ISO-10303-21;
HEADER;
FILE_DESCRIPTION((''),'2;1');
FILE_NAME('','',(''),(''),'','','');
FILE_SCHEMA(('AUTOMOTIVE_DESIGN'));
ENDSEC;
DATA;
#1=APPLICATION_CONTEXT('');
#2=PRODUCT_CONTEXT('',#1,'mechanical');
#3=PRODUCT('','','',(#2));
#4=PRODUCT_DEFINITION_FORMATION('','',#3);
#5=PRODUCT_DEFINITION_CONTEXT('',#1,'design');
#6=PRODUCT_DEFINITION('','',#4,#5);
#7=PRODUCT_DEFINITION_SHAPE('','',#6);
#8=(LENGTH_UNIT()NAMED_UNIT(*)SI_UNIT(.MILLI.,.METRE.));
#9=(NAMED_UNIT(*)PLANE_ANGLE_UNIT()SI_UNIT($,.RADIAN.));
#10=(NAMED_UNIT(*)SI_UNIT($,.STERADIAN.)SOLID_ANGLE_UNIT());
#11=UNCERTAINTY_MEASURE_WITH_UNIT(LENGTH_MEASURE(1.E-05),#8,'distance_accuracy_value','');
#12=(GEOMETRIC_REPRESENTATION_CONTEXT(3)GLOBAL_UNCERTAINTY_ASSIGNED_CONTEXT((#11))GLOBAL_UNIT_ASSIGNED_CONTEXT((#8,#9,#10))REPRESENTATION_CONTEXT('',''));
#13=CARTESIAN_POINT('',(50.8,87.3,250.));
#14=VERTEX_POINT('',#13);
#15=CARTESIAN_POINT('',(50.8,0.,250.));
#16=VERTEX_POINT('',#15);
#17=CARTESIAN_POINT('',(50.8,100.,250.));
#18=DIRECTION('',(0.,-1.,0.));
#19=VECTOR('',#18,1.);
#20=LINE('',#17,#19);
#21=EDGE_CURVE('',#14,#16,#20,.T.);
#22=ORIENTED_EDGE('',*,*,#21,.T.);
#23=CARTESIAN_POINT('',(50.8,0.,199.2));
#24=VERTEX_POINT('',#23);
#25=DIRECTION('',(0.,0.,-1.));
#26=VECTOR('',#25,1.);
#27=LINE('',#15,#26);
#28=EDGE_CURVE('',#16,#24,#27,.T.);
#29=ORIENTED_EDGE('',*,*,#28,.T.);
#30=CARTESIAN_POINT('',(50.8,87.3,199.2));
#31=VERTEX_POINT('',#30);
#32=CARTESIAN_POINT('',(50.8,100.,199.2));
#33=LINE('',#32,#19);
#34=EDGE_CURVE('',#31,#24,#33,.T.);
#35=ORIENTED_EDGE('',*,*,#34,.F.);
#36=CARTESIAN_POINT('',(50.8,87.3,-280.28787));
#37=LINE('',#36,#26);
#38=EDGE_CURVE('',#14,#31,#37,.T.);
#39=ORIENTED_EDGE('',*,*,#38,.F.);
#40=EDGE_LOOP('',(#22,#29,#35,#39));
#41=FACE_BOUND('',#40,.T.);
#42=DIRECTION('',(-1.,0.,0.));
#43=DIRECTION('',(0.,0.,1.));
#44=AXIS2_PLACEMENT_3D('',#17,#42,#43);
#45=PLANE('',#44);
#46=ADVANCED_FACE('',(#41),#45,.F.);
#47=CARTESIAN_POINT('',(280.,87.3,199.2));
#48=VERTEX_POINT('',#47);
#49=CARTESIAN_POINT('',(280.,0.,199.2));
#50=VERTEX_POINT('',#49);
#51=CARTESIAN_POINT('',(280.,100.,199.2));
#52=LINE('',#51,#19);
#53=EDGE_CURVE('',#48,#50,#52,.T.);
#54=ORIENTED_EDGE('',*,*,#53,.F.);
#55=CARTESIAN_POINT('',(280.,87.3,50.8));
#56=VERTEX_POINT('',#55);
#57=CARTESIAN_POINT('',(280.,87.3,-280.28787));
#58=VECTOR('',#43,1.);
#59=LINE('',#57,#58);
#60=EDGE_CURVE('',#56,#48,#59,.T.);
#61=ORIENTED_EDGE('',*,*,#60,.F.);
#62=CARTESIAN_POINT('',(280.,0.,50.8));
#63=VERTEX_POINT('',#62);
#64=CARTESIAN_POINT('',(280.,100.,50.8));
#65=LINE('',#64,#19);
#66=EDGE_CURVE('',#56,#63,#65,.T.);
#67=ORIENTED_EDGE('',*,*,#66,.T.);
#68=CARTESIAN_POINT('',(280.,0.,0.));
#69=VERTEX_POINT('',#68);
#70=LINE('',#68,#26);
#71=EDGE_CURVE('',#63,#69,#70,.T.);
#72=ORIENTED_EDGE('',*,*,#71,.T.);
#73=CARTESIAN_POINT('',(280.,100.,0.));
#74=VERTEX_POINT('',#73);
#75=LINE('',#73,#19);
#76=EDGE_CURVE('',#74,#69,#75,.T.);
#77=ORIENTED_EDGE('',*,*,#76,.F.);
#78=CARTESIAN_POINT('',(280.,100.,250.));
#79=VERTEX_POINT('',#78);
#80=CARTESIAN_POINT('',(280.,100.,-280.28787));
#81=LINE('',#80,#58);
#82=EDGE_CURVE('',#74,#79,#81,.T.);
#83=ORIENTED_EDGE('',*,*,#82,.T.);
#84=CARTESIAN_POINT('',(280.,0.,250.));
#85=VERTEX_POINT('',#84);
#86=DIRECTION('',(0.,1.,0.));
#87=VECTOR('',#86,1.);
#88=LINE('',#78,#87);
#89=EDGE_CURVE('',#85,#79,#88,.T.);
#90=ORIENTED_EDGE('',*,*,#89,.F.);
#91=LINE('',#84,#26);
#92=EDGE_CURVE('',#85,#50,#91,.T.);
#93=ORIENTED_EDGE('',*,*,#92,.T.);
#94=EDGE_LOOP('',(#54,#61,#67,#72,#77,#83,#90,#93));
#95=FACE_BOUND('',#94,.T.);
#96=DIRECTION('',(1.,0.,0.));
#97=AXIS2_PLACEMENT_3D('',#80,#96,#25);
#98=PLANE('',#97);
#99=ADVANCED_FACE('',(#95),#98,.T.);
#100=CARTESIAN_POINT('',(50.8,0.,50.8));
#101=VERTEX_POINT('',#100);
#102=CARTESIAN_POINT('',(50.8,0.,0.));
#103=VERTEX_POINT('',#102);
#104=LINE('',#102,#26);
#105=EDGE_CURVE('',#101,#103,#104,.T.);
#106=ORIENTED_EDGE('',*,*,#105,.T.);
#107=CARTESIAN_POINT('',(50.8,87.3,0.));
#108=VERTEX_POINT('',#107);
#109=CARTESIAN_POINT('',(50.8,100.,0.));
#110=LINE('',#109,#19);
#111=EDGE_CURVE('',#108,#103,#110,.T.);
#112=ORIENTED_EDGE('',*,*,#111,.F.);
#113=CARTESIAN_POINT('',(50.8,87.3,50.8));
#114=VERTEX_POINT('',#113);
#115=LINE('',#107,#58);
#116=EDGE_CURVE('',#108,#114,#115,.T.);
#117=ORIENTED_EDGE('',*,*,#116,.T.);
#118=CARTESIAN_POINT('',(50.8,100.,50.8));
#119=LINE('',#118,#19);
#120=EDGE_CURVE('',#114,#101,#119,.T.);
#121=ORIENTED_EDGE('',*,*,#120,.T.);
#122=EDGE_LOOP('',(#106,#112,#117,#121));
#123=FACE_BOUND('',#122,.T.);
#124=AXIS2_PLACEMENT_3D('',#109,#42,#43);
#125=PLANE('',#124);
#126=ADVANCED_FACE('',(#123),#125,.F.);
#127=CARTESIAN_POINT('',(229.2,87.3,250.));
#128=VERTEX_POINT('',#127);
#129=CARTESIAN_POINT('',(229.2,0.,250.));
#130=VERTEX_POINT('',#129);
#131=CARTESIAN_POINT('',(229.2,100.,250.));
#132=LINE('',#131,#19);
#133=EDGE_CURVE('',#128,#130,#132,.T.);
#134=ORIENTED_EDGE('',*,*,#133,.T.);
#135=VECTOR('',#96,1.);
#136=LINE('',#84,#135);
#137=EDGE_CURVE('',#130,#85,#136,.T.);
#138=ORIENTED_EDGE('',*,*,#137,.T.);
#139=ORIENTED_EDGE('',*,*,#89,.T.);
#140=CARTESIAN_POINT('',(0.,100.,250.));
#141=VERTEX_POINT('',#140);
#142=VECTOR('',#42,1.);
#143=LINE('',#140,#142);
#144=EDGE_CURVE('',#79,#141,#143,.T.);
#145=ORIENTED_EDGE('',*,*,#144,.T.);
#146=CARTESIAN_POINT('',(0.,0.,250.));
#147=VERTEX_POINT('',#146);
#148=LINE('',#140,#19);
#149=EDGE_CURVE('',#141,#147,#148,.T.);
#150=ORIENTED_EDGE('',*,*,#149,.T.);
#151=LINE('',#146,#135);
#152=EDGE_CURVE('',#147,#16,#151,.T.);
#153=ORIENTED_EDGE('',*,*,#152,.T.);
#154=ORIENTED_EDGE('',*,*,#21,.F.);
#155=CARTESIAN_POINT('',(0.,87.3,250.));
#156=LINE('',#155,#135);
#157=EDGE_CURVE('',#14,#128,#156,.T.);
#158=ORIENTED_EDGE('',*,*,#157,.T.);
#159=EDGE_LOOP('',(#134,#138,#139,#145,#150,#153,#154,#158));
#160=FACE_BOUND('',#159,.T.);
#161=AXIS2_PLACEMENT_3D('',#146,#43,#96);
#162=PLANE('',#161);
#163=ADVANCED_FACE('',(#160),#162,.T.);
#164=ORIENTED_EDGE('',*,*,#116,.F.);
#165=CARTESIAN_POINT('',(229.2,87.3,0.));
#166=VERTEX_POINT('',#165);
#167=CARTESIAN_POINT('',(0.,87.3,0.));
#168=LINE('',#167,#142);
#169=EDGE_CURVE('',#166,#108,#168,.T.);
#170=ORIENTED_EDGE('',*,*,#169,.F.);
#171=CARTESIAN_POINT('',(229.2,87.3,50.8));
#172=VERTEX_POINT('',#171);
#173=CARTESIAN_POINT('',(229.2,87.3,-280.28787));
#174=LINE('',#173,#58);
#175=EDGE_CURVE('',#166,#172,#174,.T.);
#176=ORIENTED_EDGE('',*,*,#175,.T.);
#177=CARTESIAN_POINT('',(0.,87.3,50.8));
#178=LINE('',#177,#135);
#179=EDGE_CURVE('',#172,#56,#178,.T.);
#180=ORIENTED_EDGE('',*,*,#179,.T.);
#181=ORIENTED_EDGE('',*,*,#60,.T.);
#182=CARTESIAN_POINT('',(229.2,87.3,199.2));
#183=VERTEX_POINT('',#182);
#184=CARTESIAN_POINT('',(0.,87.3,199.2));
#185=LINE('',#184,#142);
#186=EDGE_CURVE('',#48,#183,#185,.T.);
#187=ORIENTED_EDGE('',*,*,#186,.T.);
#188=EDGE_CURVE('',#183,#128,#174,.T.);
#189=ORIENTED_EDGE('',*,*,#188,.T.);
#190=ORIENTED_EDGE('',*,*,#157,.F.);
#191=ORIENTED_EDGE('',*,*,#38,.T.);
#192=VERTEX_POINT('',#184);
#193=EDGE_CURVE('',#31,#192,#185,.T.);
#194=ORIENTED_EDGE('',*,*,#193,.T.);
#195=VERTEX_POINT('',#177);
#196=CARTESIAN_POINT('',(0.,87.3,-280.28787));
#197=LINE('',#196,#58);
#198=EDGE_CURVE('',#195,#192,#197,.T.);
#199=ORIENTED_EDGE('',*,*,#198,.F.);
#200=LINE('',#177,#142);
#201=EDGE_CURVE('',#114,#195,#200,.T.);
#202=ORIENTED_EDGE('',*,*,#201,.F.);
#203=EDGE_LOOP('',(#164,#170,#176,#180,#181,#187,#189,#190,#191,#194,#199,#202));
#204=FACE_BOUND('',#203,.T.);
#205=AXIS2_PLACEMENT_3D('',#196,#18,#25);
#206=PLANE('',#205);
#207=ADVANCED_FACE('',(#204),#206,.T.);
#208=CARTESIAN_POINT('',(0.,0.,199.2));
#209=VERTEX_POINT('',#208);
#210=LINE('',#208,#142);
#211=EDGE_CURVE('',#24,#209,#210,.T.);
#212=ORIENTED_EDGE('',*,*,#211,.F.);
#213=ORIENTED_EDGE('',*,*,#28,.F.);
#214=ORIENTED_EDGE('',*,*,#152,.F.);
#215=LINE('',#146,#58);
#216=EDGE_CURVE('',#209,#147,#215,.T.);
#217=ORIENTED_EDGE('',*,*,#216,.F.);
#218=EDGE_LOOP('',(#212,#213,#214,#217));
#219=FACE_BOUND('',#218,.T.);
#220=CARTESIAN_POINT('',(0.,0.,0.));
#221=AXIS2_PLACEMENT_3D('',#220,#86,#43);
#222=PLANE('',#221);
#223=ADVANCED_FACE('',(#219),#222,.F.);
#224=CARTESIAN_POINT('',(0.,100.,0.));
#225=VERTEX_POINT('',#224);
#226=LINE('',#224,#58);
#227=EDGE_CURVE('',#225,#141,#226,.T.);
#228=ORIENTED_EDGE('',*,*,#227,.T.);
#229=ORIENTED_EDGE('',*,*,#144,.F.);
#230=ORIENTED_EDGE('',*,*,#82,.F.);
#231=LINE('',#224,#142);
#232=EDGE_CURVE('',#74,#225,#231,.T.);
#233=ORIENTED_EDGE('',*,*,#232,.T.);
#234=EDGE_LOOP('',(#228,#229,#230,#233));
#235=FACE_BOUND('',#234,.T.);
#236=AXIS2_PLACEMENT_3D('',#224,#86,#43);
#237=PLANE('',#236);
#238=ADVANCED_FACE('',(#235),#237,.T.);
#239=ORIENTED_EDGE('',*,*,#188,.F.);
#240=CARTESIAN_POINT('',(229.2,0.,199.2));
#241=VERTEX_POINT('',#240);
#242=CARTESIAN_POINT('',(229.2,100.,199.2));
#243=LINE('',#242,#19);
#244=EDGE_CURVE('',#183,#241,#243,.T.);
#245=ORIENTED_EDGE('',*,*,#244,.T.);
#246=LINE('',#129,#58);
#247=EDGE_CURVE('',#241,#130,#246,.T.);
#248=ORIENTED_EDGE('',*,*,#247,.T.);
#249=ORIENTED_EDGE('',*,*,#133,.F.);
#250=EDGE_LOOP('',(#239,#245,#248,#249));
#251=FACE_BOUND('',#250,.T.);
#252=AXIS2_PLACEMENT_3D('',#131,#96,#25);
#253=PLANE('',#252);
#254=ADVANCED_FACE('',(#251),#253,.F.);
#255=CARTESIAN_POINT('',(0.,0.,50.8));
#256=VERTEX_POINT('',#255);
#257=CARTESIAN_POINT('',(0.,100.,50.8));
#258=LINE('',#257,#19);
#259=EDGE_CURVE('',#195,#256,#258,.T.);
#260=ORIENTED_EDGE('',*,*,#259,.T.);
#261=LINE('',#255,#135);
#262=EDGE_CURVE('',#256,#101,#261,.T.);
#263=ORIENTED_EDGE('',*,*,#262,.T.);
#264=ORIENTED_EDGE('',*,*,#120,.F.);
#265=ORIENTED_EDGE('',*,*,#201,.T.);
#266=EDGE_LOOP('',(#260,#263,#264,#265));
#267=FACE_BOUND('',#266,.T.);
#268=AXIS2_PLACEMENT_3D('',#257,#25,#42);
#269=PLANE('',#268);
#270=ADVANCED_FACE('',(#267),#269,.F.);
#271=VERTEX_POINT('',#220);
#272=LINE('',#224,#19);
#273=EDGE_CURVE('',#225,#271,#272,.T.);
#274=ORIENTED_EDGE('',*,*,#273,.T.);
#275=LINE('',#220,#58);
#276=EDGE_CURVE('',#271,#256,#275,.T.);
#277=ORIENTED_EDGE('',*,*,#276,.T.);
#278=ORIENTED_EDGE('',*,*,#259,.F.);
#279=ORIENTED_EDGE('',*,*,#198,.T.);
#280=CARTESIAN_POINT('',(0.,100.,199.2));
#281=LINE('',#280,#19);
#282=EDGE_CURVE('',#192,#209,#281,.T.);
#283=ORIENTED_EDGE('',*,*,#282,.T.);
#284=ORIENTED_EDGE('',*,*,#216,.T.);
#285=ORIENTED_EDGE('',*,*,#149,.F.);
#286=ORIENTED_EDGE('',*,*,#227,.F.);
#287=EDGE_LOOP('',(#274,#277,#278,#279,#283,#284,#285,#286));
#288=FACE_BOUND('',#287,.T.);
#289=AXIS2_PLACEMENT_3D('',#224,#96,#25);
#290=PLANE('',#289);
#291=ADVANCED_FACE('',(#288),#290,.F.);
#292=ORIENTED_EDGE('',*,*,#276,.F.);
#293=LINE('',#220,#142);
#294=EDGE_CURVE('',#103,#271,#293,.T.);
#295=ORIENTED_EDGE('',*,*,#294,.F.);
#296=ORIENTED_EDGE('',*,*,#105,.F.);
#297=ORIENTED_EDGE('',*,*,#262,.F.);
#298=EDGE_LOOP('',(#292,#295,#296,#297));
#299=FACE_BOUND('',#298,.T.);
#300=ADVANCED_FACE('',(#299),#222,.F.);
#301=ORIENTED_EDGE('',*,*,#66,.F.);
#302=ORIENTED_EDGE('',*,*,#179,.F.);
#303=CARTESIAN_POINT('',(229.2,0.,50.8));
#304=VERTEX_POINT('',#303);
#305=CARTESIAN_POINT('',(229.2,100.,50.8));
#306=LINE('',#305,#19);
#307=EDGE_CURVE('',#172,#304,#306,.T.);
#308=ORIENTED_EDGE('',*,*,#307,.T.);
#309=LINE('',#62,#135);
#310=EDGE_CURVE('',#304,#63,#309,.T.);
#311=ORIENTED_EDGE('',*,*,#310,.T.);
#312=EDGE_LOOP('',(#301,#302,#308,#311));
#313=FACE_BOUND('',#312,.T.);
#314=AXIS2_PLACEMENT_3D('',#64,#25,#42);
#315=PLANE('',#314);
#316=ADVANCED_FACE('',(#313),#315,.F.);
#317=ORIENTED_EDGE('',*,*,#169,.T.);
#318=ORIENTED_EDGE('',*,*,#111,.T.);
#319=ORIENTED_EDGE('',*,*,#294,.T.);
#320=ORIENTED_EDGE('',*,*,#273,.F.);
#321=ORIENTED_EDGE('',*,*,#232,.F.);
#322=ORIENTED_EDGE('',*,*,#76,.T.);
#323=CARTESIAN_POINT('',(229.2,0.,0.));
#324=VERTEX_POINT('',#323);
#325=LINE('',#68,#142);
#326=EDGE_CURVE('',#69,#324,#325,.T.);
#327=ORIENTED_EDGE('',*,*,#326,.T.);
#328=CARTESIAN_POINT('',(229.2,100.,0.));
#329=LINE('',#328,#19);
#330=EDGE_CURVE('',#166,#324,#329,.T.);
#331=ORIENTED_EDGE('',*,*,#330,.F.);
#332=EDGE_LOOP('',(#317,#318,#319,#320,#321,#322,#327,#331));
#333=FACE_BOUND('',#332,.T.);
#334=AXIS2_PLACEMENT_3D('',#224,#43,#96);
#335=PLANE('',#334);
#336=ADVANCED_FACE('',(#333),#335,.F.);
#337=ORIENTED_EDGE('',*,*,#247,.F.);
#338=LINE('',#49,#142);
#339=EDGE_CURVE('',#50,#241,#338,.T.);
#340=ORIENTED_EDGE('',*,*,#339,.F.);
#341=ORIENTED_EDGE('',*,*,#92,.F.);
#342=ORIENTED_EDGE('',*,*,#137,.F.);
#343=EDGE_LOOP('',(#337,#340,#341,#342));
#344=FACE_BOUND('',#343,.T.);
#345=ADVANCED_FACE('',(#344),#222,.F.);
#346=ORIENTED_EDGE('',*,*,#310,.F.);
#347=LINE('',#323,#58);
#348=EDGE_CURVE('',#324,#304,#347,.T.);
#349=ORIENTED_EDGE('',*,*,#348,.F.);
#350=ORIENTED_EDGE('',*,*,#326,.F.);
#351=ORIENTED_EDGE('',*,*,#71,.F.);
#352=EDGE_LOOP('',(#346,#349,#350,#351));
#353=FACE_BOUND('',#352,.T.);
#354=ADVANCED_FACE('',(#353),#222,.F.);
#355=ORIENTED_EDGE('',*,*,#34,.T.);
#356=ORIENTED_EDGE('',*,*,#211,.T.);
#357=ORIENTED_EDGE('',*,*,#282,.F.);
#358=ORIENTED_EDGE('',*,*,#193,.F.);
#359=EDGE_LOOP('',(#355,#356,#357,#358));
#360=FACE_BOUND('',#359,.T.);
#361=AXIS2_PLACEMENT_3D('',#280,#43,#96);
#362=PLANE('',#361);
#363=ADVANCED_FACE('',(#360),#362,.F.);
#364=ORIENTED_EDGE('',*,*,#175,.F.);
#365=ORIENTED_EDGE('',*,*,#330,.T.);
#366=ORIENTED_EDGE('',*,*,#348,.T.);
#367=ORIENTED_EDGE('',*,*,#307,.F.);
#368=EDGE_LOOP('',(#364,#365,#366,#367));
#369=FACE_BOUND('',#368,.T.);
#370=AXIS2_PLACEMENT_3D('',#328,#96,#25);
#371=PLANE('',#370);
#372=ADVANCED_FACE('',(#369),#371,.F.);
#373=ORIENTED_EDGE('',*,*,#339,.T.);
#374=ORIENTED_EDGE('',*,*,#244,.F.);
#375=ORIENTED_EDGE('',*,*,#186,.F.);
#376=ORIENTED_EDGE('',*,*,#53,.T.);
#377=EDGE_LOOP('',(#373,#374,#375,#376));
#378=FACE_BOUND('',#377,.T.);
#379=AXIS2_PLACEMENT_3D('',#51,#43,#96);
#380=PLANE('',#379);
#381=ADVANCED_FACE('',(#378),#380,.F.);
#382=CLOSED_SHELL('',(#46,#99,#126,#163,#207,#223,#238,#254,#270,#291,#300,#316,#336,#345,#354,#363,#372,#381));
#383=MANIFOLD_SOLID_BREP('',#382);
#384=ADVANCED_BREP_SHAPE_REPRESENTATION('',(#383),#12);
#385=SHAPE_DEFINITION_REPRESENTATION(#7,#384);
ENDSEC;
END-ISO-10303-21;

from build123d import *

# Parameters (mm, degrees)
CROQUIS1_W                = 50.8
CROQUIS1_H                = 50.8
SALIENTE_EXTRUIR1_DEPTH   = 100
SALIENTE_EXTRUIR1_2_DEPTH = 100
SALIENTE_EXTRUIR1_3_DEPTH = 100
SALIENTE_EXTRUIR1_4_DEPTH = 100
SALIENTE_EXTRUIR2_REACH   = 390.458
CROQUIS2_W                = 280
CROQUIS2_H                = 12.7


with BuildPart() as part:
    # Croquis1 → Saliente-Extruir1 (new body)
    with BuildSketch(Plane(origin=(0, 0, 0), x_dir=(1, 0, 0), z_dir=(0, 1, 0))):
        with Locations((25.4, -25.4)):
            Rectangle(CROQUIS1_W, CROQUIS1_H)
    extrude(amount=SALIENTE_EXTRUIR1_DEPTH)


with BuildPart() as body_2:
    # Croquis1 → Saliente-Extruir1 2 (new body)
    with BuildSketch(Plane(origin=(0, 0, 0), x_dir=(1, 0, 0), z_dir=(0, 1, 0))):
        with Locations((254.6, -25.4)):
            Rectangle(CROQUIS1_W, CROQUIS1_H)
    extrude(amount=SALIENTE_EXTRUIR1_2_DEPTH)

    # Saliente-Extruir2: up to this face of the body (flat: up to its plane)
    saliente_extruir2_end = Plane(body_2.part.faces().sort_by_distance((254.6, 50, 0))[0])
    # Croquis2 → Saliente-Extruir2 (add, up to the picked face)
    with BuildSketch(Plane.XY.offset(250), mode=Mode.PRIVATE) as saliente_extruir2_sk1:
        with Locations((140, 93.65)):
            Rectangle(CROQUIS2_W, CROQUIS2_H)
    saliente_extruir2_tool1 = split(extrude(saliente_extruir2_sk1.sketch, amount=-SALIENTE_EXTRUIR2_REACH, mode=Mode.PRIVATE), bisect_by=saliente_extruir2_end, keep=Keep.BOTH, mode=Mode.PRIVATE)

    add(part.part)  # Saliente-Extruir2 merges part


with BuildPart() as body_3:
    # Croquis1 → Saliente-Extruir1 3 (new body)
    with BuildSketch(Plane(origin=(0, 0, 0), x_dir=(1, 0, 0), z_dir=(0, 1, 0))):
        with Locations((254.6, -224.6)):
            Rectangle(CROQUIS1_W, CROQUIS1_H)
    extrude(amount=SALIENTE_EXTRUIR1_3_DEPTH)


with BuildPart() as body_4:
    # Croquis1 → Saliente-Extruir1 4 (new body)
    with BuildSketch(Plane(origin=(0, 0, 0), x_dir=(1, 0, 0), z_dir=(0, 1, 0))):
        with Locations((25.4, -224.6)):
            Rectangle(CROQUIS1_W, CROQUIS1_H)
    extrude(amount=SALIENTE_EXTRUIR1_4_DEPTH)


with BuildPart() as body_2_1:
    add(body_2.part)

    add(body_3.part)  # Saliente-Extruir2 merges body 3

    add(body_4.part)  # Saliente-Extruir2 merges body 4
    add(saliente_extruir2_tool1.solids().sort_by(Axis((140, 93.65, 250), (0, 0, -1)))[0])


solid = body_2_1.part
